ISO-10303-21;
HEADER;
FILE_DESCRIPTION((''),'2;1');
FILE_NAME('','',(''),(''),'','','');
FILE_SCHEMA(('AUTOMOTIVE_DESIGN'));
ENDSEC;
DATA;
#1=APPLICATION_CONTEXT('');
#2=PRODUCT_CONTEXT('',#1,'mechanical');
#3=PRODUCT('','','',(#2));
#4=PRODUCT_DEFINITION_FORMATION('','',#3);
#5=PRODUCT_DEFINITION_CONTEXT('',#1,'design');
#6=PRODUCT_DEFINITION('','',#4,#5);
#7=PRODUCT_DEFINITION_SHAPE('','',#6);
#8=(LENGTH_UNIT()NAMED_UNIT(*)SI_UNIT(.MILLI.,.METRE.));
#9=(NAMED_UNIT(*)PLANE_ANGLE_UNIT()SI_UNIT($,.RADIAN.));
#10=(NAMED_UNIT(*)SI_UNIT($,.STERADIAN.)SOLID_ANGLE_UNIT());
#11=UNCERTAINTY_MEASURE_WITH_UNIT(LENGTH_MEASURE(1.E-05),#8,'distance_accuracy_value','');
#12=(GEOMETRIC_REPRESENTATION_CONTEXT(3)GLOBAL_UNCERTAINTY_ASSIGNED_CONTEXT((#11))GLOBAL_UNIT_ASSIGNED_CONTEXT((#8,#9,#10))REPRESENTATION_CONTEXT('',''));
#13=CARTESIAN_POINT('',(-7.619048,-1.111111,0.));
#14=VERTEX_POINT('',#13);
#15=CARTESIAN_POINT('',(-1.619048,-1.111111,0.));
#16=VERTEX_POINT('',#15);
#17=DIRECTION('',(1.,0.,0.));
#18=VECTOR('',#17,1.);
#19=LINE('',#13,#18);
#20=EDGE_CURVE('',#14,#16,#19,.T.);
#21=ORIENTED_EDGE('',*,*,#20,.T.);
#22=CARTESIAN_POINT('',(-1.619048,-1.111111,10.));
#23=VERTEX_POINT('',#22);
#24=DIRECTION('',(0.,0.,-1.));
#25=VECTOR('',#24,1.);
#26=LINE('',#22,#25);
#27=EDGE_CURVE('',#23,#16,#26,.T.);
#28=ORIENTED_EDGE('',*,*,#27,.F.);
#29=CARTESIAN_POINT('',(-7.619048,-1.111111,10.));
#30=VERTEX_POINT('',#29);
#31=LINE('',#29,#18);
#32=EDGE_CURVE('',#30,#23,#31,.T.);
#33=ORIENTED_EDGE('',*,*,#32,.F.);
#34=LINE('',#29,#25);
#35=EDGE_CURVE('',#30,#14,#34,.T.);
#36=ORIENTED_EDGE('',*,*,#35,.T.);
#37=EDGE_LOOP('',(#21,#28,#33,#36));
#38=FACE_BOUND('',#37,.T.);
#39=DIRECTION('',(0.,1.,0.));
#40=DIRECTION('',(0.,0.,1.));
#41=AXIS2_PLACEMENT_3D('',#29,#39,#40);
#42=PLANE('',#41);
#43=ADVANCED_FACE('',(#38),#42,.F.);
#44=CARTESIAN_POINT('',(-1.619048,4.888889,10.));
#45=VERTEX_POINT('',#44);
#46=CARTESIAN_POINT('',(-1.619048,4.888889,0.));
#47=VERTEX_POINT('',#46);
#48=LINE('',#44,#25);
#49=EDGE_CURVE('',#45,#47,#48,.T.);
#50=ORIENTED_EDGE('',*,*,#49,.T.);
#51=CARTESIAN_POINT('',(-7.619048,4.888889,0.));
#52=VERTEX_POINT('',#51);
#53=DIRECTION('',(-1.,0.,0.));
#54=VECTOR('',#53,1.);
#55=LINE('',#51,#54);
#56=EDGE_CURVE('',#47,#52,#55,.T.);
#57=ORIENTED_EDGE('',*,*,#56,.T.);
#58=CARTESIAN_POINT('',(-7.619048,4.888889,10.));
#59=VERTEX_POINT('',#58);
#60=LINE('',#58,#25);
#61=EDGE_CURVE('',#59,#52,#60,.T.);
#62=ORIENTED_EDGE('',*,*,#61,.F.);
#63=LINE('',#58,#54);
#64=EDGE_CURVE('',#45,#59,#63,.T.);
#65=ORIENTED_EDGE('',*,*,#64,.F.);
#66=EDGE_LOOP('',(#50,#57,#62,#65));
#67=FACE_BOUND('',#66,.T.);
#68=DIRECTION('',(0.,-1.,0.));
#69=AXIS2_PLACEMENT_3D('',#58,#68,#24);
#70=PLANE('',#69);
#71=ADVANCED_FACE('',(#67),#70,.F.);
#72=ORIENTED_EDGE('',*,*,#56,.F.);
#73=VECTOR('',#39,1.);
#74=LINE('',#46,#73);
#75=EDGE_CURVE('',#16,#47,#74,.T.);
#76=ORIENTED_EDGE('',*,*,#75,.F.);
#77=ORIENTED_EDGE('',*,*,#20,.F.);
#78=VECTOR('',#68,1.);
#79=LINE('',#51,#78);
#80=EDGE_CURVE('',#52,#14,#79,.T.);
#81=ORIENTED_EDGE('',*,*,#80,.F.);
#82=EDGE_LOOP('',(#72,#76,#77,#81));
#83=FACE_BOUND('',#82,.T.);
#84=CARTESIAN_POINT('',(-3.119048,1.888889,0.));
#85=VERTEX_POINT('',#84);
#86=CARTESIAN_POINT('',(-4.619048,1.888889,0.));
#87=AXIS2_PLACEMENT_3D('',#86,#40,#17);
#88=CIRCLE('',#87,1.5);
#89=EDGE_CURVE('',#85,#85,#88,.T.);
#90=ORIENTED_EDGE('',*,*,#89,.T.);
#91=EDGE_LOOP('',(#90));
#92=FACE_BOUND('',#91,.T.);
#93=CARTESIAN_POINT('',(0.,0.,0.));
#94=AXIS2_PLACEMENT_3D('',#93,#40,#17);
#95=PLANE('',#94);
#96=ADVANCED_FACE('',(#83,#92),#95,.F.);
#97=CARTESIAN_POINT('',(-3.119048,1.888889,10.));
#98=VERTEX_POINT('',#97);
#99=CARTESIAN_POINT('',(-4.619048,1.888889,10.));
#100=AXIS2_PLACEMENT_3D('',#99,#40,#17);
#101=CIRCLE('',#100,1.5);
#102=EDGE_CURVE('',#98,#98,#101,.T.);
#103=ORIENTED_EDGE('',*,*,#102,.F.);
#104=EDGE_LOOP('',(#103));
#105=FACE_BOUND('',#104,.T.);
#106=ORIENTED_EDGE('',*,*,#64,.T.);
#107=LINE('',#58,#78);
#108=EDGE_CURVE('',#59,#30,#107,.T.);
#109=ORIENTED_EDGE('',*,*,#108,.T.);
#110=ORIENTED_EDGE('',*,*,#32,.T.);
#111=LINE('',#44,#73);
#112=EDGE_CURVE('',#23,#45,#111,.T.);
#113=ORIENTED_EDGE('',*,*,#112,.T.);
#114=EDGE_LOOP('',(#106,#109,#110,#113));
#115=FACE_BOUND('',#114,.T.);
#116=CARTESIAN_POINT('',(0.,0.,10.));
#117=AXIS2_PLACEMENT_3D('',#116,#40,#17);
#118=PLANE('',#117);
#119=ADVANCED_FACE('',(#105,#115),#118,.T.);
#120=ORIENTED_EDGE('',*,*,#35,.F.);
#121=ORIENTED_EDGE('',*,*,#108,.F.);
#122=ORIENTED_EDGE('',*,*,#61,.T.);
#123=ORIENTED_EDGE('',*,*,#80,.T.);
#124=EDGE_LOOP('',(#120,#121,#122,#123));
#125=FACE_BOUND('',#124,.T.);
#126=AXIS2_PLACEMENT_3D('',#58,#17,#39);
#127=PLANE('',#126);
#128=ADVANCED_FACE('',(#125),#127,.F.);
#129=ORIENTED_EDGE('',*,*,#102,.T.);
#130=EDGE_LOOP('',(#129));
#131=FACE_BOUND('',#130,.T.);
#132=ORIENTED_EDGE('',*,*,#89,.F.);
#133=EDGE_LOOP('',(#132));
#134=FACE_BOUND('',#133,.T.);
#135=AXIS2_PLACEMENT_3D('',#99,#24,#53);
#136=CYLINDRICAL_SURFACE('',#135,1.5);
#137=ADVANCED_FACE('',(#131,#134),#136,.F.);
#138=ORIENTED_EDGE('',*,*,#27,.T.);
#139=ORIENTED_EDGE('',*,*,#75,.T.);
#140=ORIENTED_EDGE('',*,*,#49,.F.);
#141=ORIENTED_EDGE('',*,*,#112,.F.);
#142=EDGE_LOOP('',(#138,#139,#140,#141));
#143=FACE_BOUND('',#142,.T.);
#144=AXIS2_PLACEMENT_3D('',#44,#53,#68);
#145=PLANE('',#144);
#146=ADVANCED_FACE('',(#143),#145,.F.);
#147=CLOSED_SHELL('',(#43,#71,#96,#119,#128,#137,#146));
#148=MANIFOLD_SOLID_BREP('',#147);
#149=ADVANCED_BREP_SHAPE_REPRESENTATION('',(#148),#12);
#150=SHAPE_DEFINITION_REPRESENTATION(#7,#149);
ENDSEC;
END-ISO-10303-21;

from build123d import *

# Parameters (mm, degrees)
SKETCH1_W           = 6
SKETCH1_H           = 6
SKETCH1_R           = 1.5
BOSS_EXTRUDE1_DEPTH = 10


with BuildPart() as part:
    # Sketch1 → Boss-Extrude1 (new body)
    with BuildSketch(Plane.XY):
        with Locations((-4.619047619, 1.888888889)):
            Rectangle(SKETCH1_W, SKETCH1_H)
        with Locations((-4.619047619, 1.888888889)):
            Circle(SKETCH1_R, mode=Mode.SUBTRACT)
    extrude(amount=BOSS_EXTRUDE1_DEPTH)


solid = part.part
